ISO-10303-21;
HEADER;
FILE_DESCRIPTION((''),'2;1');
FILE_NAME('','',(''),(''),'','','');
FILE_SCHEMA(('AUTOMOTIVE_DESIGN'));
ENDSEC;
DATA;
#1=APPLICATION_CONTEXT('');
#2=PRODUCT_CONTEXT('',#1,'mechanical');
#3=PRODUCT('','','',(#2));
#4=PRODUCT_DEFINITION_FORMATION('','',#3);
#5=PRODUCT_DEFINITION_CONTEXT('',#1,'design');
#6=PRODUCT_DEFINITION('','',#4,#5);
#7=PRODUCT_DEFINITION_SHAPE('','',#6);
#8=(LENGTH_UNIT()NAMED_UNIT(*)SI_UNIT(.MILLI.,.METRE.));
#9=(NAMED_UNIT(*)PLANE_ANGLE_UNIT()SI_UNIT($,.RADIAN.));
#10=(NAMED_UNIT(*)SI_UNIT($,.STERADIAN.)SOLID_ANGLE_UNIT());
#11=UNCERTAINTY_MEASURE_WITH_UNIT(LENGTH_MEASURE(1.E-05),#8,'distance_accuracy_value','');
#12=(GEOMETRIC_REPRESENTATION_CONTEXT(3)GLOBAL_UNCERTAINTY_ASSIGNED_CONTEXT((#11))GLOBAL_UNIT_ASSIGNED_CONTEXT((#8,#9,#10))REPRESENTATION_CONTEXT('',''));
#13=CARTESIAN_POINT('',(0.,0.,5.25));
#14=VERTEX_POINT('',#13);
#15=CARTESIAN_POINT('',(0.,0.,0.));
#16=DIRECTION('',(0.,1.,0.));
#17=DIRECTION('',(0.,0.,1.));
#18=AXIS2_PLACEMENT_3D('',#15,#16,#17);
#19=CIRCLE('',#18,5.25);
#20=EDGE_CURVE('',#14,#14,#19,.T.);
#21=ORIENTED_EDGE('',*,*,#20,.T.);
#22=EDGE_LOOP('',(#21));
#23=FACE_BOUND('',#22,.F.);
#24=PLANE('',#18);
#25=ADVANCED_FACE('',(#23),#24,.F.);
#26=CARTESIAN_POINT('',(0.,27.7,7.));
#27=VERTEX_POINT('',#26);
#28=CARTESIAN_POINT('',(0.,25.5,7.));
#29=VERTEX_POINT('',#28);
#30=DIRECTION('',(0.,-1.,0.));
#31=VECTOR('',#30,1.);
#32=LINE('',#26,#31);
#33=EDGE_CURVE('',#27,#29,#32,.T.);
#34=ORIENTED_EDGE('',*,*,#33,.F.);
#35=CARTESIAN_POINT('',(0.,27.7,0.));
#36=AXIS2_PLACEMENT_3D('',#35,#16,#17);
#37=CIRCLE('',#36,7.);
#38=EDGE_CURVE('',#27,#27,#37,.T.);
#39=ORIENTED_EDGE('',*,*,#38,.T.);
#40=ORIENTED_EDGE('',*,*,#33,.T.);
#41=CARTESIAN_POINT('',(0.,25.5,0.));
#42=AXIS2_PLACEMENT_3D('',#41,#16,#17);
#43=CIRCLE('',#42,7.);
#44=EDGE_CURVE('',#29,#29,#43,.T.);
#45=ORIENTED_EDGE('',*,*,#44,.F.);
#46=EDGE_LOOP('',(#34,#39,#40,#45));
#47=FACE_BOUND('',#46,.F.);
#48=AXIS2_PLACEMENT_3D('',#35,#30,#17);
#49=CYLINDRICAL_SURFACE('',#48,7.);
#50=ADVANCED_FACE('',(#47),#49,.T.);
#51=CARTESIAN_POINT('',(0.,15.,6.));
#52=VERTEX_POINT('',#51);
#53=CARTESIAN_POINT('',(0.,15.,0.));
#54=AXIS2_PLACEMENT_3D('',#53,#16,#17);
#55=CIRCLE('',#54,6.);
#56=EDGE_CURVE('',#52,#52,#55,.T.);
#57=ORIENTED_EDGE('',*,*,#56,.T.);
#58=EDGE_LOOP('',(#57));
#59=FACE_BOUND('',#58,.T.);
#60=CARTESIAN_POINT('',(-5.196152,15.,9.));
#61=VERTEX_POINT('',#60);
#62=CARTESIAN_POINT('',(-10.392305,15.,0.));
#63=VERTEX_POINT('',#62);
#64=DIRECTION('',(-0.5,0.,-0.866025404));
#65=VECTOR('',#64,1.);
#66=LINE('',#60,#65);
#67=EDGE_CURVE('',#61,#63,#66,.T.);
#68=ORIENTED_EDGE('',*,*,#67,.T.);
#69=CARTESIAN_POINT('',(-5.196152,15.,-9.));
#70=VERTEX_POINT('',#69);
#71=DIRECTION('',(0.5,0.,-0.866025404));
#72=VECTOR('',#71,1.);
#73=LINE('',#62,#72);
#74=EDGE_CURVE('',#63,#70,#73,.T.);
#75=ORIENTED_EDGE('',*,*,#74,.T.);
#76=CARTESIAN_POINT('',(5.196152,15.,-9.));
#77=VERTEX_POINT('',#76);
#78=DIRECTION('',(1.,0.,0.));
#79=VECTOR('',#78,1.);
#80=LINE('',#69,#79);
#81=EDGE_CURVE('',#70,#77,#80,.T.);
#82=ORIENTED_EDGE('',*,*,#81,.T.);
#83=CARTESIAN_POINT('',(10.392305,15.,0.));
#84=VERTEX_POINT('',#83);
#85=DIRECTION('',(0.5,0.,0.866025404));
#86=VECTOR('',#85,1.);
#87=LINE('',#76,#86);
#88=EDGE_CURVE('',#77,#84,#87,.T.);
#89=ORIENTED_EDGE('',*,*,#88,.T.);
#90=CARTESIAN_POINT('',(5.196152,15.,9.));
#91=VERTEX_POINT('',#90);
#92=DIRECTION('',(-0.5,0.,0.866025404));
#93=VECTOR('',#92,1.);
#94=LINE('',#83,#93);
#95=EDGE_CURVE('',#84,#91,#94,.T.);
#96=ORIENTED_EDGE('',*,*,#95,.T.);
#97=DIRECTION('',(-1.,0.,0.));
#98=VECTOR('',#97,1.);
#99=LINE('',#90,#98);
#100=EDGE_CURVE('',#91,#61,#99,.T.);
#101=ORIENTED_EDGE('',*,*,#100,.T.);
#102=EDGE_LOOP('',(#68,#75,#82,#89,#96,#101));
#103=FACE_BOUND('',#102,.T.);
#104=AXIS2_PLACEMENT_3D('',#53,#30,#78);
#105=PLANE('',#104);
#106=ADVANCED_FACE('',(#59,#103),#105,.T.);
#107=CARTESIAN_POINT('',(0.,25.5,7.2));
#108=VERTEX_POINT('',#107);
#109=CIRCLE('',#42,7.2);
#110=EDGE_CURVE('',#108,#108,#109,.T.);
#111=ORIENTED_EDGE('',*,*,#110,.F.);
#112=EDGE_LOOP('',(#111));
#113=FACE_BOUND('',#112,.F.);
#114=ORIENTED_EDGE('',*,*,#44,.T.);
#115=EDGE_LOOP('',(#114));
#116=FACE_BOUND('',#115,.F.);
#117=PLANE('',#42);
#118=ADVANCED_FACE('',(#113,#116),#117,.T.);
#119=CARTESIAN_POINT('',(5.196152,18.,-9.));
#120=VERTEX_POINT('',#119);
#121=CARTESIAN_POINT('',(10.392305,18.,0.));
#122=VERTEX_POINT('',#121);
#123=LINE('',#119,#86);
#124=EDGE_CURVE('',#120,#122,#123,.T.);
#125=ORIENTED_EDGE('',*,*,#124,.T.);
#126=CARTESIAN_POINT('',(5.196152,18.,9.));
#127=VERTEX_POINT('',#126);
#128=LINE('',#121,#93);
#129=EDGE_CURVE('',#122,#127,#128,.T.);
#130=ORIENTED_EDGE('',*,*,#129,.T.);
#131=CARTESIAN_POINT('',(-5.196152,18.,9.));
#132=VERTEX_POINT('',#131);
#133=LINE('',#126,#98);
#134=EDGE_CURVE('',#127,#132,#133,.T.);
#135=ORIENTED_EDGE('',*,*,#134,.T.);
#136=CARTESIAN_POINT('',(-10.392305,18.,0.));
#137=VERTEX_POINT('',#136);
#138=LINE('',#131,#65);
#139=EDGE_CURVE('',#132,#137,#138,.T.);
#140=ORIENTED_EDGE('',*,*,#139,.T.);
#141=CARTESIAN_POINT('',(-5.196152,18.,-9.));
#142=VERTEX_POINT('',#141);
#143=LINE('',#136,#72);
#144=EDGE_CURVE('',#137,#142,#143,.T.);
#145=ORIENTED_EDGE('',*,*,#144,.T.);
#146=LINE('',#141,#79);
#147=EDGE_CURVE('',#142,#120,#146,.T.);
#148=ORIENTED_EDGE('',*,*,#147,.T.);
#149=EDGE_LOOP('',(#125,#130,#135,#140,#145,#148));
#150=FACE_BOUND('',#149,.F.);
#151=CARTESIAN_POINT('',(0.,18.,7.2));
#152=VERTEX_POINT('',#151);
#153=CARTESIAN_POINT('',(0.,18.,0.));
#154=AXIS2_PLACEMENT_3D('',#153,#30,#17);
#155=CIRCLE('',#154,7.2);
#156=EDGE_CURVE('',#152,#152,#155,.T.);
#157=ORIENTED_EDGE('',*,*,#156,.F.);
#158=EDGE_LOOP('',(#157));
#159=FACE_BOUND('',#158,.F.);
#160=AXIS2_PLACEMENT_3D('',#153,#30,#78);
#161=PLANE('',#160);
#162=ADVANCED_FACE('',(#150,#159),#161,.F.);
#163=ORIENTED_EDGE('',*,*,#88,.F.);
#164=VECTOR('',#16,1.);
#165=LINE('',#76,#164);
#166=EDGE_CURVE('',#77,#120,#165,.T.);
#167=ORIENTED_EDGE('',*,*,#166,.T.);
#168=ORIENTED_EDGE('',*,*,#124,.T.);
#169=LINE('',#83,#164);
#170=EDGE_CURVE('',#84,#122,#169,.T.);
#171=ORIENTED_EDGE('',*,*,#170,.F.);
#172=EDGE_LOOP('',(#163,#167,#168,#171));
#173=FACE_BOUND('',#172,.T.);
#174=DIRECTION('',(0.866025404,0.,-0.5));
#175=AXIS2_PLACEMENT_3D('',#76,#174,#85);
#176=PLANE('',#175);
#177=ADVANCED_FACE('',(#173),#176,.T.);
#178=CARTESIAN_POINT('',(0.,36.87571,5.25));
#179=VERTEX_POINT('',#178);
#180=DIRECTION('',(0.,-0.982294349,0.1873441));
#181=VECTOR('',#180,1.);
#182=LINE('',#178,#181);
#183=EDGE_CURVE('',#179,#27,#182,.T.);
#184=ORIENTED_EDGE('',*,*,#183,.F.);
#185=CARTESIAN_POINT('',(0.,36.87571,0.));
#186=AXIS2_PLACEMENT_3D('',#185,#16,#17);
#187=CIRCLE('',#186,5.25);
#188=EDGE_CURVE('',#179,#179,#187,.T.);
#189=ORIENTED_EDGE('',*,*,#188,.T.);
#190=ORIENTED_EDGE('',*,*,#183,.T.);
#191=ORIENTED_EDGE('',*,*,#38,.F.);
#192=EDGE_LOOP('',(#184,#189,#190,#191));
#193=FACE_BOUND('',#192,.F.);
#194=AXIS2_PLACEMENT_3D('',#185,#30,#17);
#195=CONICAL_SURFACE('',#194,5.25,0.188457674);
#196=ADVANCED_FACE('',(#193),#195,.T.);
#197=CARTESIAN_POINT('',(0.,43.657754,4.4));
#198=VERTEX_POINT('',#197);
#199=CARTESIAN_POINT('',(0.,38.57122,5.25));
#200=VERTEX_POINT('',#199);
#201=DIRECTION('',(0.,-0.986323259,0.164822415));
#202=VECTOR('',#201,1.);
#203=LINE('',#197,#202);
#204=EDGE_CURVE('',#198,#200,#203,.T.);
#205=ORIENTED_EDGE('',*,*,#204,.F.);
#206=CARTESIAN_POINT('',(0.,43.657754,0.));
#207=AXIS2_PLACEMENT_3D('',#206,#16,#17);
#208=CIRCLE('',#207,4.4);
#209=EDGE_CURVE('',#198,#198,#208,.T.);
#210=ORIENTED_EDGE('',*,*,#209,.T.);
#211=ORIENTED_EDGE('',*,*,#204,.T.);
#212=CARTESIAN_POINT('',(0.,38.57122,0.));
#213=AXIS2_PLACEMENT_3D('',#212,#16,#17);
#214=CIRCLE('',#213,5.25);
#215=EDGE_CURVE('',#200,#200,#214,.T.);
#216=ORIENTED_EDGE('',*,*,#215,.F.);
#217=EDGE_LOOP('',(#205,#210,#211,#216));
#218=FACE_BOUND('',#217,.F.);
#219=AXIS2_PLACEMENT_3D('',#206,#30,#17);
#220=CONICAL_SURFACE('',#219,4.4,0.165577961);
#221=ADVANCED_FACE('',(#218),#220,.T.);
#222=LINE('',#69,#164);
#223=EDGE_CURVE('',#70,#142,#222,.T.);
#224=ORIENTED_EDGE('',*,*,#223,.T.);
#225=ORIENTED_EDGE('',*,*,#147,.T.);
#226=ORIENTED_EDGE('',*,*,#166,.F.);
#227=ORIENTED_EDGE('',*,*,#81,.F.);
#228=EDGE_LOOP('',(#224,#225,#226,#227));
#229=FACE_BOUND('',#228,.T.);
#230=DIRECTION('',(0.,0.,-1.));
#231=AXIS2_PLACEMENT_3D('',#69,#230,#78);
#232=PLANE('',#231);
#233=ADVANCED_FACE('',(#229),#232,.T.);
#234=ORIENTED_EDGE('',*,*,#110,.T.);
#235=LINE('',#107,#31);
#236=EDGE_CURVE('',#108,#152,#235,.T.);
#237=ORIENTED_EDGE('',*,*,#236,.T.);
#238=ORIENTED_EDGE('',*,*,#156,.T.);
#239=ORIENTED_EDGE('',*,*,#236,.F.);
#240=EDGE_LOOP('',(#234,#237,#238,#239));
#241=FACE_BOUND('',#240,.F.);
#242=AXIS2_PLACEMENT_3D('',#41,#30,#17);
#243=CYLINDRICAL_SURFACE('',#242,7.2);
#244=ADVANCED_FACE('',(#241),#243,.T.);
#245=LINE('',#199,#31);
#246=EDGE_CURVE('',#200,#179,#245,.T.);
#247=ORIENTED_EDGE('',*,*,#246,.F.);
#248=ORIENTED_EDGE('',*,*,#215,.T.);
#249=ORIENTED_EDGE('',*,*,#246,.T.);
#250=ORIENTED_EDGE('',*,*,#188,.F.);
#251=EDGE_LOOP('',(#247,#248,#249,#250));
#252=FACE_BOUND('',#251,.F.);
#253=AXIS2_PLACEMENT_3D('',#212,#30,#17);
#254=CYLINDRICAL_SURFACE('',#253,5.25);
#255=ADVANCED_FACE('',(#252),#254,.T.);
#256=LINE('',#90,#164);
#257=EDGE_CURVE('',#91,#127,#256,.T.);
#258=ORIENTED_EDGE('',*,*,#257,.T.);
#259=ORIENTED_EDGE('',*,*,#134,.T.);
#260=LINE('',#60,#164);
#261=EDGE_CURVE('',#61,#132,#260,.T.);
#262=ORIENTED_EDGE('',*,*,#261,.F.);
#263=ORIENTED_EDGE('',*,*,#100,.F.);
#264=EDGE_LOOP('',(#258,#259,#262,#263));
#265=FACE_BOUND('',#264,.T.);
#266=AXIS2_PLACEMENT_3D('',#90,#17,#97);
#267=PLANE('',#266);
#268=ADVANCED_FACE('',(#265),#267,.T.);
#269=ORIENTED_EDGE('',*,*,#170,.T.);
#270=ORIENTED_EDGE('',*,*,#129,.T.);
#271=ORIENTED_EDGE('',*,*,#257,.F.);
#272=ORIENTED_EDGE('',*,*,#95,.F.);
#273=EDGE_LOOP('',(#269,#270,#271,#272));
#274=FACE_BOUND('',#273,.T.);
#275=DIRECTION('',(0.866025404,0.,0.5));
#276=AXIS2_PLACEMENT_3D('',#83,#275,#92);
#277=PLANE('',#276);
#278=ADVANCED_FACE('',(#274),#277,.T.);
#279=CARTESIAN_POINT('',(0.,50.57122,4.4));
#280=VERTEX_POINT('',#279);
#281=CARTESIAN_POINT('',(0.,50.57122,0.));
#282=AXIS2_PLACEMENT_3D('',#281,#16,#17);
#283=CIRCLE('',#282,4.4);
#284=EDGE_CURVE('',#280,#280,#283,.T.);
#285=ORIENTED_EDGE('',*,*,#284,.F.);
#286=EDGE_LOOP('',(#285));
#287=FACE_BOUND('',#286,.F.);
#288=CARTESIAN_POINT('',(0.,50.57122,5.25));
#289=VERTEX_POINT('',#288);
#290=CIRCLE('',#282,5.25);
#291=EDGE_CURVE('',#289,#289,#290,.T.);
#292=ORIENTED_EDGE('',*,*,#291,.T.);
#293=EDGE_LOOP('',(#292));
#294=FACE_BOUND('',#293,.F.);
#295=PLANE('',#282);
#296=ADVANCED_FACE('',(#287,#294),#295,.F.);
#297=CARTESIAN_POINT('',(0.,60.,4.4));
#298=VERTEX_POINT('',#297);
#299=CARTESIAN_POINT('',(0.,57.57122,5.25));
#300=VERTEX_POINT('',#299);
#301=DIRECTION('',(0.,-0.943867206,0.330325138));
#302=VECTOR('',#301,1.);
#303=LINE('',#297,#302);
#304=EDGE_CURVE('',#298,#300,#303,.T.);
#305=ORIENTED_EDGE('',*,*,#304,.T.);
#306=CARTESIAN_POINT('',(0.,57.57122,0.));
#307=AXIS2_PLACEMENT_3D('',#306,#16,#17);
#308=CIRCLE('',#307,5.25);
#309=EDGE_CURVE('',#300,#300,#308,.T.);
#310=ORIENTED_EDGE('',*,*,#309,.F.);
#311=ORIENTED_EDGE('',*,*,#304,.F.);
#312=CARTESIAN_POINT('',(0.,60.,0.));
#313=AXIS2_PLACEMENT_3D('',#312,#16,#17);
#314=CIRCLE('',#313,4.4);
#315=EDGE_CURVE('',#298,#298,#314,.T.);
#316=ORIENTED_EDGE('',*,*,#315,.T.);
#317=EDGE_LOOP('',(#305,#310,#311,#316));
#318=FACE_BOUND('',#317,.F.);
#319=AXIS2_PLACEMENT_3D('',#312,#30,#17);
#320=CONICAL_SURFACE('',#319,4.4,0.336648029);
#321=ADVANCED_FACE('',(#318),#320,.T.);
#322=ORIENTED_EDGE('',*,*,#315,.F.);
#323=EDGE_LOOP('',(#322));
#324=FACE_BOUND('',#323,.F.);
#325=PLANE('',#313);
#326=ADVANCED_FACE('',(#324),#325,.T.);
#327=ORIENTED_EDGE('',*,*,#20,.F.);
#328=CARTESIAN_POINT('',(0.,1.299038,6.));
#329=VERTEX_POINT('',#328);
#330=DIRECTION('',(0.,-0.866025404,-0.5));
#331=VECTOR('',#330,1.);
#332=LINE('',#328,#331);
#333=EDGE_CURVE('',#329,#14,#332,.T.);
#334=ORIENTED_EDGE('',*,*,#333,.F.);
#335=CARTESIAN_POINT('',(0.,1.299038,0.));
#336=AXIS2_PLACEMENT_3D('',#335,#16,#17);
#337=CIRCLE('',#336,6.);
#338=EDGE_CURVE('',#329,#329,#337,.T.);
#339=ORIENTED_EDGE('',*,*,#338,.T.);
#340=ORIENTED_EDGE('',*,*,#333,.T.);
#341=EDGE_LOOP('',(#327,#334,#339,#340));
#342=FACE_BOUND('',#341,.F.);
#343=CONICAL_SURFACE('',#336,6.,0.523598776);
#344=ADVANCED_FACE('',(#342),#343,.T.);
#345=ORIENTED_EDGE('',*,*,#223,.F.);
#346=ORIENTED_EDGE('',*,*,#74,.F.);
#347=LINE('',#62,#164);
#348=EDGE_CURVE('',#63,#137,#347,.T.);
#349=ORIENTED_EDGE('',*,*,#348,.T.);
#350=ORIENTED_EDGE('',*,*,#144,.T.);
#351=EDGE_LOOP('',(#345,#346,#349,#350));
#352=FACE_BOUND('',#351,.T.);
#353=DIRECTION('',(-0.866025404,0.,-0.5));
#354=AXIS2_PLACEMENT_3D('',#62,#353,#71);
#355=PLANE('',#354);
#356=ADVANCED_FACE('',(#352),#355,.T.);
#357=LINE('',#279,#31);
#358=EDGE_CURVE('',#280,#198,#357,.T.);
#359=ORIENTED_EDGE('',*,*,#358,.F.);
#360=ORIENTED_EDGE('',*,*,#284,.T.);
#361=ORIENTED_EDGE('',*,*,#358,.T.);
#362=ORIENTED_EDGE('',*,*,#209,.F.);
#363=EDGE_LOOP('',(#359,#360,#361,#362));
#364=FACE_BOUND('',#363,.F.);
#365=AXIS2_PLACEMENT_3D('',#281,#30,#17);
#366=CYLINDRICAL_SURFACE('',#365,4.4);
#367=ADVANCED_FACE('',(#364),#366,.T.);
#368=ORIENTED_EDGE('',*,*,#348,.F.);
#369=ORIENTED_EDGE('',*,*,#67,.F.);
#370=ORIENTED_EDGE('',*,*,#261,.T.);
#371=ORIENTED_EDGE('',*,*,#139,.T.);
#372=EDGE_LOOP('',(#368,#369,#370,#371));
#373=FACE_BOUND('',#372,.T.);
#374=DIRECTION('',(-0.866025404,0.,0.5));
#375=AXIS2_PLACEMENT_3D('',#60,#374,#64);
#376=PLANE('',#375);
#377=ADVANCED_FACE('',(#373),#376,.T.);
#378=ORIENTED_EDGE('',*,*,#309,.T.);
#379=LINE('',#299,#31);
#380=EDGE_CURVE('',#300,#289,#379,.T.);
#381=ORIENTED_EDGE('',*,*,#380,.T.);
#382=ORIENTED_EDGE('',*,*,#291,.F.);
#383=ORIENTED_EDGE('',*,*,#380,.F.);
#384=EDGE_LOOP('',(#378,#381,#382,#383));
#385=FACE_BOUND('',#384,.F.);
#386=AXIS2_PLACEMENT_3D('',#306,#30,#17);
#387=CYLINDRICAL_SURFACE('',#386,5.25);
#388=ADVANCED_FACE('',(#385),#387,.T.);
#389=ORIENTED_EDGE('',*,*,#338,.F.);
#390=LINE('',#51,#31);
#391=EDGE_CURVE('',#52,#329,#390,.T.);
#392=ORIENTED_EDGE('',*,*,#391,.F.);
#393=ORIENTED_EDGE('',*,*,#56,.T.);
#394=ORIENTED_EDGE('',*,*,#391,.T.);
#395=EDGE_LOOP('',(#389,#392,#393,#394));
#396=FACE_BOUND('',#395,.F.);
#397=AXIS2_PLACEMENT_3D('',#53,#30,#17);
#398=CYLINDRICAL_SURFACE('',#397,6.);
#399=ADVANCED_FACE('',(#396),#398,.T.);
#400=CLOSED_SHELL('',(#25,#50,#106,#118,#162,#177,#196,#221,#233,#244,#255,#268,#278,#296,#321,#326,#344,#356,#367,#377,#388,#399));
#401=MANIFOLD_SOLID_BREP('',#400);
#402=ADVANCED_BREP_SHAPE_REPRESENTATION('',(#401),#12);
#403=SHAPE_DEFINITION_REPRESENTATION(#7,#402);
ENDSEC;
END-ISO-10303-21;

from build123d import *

# Parameters (mm, degrees)
F3_R     = 7.2
F4_DEPTH = 3
F5_SIZE2 = 0.75
F5_SIZE  = 1.2990381057


with BuildPart() as f2:
    # F0 (on Right) → F2 (revolve)
    with BuildSketch(Plane.YZ):
        Polygon((0, 6), (0, 0), (60, 0), (60, 4.4), (57.5712198913, 5.25), (50.5712198913, 5.25), (50.5712198913, 4.4), (43.6577536166, 4.4), (38.5712198913, 5.25), (36.8757098913, 5.25), (27.7, 7), (25.5, 7), (25.5, 7.2), (15, 7.2), (15, 6), align=None)
    revolve(axis=Axis((0, -0.2503991127, 0), (0, 1, 0)))

    # F3 (on face) → F4 (join)
    with BuildSketch(Plane.XZ.offset(-15)):
        Polygon((5.1961524227, 9), (-5.1961524227, 9), (-10.3923048454, 0), (-5.1961524227, -9), (5.1961524227, -9), (10.3923048454, 0), align=None)
        Circle(F3_R, mode=Mode.SUBTRACT)
    extrude(amount=-F4_DEPTH)

    # F5
    f5_edges = [f2.edges().sort_by_distance(p)[0] for p in [
        (0, 0, -6),
    ]]
    f5_side = f2.faces().sort_by_distance((0, 7.5, -6))[0]
    chamfer(f5_edges, length=F5_SIZE, length2=F5_SIZE2, reference=f5_side)


solid = f2.part
